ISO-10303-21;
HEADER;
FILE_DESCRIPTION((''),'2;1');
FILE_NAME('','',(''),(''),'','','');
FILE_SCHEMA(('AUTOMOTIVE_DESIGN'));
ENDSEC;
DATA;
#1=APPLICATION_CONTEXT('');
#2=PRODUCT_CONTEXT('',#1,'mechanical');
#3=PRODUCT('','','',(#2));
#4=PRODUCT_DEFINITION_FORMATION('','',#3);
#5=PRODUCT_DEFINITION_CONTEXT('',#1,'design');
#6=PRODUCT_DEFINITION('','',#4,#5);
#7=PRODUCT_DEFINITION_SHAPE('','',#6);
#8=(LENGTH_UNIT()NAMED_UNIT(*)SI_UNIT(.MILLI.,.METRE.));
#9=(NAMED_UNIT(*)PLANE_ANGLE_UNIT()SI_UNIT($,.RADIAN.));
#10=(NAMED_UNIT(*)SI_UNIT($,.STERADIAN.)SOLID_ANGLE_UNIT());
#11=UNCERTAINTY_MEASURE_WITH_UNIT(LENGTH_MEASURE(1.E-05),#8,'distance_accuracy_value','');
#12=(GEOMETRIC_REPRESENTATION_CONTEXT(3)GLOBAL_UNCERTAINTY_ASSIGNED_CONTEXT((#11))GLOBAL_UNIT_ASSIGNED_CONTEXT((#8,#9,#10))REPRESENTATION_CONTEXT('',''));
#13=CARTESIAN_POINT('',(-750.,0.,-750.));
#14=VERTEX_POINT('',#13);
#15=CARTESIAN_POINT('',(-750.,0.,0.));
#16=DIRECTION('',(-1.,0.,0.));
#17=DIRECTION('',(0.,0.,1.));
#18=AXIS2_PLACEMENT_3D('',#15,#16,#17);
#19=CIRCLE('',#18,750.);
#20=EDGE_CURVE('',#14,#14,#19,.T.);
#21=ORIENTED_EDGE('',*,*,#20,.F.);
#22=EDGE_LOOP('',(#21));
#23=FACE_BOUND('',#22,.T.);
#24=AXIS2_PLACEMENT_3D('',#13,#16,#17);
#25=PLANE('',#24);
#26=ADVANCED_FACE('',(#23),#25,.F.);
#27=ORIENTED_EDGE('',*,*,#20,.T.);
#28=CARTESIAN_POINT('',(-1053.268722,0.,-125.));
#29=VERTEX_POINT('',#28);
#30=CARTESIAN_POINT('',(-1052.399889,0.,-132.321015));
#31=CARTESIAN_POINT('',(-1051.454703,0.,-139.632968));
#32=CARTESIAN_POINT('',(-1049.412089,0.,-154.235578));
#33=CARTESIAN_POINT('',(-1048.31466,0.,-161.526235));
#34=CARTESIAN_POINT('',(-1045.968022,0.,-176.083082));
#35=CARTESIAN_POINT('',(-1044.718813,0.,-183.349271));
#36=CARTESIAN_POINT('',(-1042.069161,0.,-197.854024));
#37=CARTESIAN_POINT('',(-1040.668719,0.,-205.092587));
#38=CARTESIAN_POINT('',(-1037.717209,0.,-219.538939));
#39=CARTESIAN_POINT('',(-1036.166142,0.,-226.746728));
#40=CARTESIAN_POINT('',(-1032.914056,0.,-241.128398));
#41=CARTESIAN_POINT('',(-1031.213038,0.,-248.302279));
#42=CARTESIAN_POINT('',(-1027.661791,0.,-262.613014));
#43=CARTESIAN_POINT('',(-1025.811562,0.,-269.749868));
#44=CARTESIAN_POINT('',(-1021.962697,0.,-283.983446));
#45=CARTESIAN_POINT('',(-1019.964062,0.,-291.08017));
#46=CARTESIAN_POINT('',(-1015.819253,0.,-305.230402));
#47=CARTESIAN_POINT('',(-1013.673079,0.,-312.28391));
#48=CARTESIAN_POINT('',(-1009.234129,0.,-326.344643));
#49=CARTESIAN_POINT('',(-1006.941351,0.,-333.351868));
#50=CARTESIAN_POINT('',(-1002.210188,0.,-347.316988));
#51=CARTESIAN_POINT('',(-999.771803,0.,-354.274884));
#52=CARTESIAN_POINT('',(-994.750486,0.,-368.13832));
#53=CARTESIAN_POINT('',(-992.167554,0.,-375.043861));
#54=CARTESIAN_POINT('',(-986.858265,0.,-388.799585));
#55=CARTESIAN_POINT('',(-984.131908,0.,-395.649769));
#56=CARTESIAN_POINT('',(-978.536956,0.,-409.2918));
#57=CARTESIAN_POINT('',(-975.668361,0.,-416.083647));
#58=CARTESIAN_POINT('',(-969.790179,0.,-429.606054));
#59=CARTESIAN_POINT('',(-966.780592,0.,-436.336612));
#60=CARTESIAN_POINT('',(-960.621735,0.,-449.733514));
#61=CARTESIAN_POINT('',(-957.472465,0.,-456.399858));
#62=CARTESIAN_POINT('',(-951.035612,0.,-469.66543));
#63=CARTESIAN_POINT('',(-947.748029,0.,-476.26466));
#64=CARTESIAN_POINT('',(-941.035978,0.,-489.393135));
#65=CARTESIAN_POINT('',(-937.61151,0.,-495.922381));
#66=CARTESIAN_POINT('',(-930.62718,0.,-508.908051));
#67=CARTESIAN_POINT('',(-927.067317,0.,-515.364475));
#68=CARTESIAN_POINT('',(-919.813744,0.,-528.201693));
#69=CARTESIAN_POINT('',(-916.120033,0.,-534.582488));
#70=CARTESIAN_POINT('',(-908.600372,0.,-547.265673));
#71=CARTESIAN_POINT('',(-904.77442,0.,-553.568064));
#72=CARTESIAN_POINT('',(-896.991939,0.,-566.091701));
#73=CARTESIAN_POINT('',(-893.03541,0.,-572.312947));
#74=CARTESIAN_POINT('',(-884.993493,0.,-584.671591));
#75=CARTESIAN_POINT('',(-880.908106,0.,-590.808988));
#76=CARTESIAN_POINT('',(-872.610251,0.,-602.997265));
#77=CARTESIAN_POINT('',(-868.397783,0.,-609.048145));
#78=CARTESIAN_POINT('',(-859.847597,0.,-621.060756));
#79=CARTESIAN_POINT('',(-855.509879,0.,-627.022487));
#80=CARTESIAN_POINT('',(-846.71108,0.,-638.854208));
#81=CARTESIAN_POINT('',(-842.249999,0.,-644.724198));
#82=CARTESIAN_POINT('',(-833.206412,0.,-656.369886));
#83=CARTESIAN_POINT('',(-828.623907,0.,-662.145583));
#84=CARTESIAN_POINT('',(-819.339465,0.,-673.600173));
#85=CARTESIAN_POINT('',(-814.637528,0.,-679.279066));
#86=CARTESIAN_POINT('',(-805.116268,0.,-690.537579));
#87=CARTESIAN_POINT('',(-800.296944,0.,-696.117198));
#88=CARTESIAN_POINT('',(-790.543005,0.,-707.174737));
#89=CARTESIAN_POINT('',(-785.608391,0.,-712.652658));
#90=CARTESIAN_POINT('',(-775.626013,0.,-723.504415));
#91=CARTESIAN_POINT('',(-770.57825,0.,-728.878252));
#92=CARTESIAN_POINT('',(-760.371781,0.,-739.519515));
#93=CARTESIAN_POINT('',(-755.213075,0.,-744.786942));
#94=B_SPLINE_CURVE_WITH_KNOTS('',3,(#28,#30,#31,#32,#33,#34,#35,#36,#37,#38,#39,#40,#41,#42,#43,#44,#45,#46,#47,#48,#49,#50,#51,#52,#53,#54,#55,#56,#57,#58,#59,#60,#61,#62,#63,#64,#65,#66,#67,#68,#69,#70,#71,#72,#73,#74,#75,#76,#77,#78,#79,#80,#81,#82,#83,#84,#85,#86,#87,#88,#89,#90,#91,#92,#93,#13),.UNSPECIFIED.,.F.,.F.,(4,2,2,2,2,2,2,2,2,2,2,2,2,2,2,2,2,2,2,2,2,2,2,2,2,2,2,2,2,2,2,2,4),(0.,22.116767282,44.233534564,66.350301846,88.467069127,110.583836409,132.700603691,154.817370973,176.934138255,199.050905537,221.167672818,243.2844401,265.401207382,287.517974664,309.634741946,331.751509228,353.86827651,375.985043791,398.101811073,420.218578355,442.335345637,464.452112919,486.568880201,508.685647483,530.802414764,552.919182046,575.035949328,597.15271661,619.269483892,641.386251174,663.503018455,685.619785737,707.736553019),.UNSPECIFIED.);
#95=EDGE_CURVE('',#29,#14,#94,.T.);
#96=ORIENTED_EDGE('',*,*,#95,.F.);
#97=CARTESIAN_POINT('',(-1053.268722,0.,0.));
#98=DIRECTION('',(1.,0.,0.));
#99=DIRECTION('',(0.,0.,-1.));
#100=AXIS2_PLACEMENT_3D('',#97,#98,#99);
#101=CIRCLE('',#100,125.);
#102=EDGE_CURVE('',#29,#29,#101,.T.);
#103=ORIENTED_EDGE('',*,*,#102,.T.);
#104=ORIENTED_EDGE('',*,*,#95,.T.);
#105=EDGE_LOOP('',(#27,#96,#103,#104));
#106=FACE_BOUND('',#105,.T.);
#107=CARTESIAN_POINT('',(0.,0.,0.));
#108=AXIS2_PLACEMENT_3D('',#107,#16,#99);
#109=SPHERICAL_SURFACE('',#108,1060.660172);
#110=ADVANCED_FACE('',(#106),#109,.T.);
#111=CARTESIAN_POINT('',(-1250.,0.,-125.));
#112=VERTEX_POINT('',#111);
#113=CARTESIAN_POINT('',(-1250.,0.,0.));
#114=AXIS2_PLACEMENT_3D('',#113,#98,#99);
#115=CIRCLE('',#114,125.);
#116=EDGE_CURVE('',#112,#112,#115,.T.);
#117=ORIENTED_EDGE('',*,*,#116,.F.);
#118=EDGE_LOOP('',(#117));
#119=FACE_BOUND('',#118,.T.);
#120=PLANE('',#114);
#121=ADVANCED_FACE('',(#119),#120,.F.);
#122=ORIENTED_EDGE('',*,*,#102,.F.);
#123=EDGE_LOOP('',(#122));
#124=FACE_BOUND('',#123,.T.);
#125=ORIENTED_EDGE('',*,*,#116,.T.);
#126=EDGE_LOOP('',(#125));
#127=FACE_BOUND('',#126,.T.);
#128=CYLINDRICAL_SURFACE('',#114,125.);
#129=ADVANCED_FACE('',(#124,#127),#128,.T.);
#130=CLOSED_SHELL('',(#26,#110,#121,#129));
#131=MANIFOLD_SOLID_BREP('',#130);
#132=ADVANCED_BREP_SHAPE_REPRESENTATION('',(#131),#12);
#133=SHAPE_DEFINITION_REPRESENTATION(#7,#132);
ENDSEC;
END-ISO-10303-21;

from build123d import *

# Parameters (mm, degrees)
SKETCH2_R           = 125
BOSS_EXTRUDE1_DEPTH = 500


with BuildPart() as part:
    # Sketch1 → Revolve1 (revolve)
    with BuildSketch(Plane(origin=(0, 0, 0), x_dir=(1, 0, 0), z_dir=(0, 1, 0))):
        with BuildLine():
            Line((-750, 750), (-750, 0))
            Line((-750, 0), (-1060.66017178, 0))
            ThreePointArc((-1060.66017178, 0), (-979.922223657, 405.89707511), (-750, 750))
        make_face()
    revolve(axis=Axis((-1110.59399243, 0, 0), (1, 0, 0)))

    # Sketch2 → Boss-Extrude1 (add)
    with BuildSketch(Plane(origin=(-750, 0, 0), x_dir=(0, 0, -1), z_dir=(1, 0, 0))):
        Circle(SKETCH2_R)
    extrude(amount=-BOSS_EXTRUDE1_DEPTH)


solid = part.part
